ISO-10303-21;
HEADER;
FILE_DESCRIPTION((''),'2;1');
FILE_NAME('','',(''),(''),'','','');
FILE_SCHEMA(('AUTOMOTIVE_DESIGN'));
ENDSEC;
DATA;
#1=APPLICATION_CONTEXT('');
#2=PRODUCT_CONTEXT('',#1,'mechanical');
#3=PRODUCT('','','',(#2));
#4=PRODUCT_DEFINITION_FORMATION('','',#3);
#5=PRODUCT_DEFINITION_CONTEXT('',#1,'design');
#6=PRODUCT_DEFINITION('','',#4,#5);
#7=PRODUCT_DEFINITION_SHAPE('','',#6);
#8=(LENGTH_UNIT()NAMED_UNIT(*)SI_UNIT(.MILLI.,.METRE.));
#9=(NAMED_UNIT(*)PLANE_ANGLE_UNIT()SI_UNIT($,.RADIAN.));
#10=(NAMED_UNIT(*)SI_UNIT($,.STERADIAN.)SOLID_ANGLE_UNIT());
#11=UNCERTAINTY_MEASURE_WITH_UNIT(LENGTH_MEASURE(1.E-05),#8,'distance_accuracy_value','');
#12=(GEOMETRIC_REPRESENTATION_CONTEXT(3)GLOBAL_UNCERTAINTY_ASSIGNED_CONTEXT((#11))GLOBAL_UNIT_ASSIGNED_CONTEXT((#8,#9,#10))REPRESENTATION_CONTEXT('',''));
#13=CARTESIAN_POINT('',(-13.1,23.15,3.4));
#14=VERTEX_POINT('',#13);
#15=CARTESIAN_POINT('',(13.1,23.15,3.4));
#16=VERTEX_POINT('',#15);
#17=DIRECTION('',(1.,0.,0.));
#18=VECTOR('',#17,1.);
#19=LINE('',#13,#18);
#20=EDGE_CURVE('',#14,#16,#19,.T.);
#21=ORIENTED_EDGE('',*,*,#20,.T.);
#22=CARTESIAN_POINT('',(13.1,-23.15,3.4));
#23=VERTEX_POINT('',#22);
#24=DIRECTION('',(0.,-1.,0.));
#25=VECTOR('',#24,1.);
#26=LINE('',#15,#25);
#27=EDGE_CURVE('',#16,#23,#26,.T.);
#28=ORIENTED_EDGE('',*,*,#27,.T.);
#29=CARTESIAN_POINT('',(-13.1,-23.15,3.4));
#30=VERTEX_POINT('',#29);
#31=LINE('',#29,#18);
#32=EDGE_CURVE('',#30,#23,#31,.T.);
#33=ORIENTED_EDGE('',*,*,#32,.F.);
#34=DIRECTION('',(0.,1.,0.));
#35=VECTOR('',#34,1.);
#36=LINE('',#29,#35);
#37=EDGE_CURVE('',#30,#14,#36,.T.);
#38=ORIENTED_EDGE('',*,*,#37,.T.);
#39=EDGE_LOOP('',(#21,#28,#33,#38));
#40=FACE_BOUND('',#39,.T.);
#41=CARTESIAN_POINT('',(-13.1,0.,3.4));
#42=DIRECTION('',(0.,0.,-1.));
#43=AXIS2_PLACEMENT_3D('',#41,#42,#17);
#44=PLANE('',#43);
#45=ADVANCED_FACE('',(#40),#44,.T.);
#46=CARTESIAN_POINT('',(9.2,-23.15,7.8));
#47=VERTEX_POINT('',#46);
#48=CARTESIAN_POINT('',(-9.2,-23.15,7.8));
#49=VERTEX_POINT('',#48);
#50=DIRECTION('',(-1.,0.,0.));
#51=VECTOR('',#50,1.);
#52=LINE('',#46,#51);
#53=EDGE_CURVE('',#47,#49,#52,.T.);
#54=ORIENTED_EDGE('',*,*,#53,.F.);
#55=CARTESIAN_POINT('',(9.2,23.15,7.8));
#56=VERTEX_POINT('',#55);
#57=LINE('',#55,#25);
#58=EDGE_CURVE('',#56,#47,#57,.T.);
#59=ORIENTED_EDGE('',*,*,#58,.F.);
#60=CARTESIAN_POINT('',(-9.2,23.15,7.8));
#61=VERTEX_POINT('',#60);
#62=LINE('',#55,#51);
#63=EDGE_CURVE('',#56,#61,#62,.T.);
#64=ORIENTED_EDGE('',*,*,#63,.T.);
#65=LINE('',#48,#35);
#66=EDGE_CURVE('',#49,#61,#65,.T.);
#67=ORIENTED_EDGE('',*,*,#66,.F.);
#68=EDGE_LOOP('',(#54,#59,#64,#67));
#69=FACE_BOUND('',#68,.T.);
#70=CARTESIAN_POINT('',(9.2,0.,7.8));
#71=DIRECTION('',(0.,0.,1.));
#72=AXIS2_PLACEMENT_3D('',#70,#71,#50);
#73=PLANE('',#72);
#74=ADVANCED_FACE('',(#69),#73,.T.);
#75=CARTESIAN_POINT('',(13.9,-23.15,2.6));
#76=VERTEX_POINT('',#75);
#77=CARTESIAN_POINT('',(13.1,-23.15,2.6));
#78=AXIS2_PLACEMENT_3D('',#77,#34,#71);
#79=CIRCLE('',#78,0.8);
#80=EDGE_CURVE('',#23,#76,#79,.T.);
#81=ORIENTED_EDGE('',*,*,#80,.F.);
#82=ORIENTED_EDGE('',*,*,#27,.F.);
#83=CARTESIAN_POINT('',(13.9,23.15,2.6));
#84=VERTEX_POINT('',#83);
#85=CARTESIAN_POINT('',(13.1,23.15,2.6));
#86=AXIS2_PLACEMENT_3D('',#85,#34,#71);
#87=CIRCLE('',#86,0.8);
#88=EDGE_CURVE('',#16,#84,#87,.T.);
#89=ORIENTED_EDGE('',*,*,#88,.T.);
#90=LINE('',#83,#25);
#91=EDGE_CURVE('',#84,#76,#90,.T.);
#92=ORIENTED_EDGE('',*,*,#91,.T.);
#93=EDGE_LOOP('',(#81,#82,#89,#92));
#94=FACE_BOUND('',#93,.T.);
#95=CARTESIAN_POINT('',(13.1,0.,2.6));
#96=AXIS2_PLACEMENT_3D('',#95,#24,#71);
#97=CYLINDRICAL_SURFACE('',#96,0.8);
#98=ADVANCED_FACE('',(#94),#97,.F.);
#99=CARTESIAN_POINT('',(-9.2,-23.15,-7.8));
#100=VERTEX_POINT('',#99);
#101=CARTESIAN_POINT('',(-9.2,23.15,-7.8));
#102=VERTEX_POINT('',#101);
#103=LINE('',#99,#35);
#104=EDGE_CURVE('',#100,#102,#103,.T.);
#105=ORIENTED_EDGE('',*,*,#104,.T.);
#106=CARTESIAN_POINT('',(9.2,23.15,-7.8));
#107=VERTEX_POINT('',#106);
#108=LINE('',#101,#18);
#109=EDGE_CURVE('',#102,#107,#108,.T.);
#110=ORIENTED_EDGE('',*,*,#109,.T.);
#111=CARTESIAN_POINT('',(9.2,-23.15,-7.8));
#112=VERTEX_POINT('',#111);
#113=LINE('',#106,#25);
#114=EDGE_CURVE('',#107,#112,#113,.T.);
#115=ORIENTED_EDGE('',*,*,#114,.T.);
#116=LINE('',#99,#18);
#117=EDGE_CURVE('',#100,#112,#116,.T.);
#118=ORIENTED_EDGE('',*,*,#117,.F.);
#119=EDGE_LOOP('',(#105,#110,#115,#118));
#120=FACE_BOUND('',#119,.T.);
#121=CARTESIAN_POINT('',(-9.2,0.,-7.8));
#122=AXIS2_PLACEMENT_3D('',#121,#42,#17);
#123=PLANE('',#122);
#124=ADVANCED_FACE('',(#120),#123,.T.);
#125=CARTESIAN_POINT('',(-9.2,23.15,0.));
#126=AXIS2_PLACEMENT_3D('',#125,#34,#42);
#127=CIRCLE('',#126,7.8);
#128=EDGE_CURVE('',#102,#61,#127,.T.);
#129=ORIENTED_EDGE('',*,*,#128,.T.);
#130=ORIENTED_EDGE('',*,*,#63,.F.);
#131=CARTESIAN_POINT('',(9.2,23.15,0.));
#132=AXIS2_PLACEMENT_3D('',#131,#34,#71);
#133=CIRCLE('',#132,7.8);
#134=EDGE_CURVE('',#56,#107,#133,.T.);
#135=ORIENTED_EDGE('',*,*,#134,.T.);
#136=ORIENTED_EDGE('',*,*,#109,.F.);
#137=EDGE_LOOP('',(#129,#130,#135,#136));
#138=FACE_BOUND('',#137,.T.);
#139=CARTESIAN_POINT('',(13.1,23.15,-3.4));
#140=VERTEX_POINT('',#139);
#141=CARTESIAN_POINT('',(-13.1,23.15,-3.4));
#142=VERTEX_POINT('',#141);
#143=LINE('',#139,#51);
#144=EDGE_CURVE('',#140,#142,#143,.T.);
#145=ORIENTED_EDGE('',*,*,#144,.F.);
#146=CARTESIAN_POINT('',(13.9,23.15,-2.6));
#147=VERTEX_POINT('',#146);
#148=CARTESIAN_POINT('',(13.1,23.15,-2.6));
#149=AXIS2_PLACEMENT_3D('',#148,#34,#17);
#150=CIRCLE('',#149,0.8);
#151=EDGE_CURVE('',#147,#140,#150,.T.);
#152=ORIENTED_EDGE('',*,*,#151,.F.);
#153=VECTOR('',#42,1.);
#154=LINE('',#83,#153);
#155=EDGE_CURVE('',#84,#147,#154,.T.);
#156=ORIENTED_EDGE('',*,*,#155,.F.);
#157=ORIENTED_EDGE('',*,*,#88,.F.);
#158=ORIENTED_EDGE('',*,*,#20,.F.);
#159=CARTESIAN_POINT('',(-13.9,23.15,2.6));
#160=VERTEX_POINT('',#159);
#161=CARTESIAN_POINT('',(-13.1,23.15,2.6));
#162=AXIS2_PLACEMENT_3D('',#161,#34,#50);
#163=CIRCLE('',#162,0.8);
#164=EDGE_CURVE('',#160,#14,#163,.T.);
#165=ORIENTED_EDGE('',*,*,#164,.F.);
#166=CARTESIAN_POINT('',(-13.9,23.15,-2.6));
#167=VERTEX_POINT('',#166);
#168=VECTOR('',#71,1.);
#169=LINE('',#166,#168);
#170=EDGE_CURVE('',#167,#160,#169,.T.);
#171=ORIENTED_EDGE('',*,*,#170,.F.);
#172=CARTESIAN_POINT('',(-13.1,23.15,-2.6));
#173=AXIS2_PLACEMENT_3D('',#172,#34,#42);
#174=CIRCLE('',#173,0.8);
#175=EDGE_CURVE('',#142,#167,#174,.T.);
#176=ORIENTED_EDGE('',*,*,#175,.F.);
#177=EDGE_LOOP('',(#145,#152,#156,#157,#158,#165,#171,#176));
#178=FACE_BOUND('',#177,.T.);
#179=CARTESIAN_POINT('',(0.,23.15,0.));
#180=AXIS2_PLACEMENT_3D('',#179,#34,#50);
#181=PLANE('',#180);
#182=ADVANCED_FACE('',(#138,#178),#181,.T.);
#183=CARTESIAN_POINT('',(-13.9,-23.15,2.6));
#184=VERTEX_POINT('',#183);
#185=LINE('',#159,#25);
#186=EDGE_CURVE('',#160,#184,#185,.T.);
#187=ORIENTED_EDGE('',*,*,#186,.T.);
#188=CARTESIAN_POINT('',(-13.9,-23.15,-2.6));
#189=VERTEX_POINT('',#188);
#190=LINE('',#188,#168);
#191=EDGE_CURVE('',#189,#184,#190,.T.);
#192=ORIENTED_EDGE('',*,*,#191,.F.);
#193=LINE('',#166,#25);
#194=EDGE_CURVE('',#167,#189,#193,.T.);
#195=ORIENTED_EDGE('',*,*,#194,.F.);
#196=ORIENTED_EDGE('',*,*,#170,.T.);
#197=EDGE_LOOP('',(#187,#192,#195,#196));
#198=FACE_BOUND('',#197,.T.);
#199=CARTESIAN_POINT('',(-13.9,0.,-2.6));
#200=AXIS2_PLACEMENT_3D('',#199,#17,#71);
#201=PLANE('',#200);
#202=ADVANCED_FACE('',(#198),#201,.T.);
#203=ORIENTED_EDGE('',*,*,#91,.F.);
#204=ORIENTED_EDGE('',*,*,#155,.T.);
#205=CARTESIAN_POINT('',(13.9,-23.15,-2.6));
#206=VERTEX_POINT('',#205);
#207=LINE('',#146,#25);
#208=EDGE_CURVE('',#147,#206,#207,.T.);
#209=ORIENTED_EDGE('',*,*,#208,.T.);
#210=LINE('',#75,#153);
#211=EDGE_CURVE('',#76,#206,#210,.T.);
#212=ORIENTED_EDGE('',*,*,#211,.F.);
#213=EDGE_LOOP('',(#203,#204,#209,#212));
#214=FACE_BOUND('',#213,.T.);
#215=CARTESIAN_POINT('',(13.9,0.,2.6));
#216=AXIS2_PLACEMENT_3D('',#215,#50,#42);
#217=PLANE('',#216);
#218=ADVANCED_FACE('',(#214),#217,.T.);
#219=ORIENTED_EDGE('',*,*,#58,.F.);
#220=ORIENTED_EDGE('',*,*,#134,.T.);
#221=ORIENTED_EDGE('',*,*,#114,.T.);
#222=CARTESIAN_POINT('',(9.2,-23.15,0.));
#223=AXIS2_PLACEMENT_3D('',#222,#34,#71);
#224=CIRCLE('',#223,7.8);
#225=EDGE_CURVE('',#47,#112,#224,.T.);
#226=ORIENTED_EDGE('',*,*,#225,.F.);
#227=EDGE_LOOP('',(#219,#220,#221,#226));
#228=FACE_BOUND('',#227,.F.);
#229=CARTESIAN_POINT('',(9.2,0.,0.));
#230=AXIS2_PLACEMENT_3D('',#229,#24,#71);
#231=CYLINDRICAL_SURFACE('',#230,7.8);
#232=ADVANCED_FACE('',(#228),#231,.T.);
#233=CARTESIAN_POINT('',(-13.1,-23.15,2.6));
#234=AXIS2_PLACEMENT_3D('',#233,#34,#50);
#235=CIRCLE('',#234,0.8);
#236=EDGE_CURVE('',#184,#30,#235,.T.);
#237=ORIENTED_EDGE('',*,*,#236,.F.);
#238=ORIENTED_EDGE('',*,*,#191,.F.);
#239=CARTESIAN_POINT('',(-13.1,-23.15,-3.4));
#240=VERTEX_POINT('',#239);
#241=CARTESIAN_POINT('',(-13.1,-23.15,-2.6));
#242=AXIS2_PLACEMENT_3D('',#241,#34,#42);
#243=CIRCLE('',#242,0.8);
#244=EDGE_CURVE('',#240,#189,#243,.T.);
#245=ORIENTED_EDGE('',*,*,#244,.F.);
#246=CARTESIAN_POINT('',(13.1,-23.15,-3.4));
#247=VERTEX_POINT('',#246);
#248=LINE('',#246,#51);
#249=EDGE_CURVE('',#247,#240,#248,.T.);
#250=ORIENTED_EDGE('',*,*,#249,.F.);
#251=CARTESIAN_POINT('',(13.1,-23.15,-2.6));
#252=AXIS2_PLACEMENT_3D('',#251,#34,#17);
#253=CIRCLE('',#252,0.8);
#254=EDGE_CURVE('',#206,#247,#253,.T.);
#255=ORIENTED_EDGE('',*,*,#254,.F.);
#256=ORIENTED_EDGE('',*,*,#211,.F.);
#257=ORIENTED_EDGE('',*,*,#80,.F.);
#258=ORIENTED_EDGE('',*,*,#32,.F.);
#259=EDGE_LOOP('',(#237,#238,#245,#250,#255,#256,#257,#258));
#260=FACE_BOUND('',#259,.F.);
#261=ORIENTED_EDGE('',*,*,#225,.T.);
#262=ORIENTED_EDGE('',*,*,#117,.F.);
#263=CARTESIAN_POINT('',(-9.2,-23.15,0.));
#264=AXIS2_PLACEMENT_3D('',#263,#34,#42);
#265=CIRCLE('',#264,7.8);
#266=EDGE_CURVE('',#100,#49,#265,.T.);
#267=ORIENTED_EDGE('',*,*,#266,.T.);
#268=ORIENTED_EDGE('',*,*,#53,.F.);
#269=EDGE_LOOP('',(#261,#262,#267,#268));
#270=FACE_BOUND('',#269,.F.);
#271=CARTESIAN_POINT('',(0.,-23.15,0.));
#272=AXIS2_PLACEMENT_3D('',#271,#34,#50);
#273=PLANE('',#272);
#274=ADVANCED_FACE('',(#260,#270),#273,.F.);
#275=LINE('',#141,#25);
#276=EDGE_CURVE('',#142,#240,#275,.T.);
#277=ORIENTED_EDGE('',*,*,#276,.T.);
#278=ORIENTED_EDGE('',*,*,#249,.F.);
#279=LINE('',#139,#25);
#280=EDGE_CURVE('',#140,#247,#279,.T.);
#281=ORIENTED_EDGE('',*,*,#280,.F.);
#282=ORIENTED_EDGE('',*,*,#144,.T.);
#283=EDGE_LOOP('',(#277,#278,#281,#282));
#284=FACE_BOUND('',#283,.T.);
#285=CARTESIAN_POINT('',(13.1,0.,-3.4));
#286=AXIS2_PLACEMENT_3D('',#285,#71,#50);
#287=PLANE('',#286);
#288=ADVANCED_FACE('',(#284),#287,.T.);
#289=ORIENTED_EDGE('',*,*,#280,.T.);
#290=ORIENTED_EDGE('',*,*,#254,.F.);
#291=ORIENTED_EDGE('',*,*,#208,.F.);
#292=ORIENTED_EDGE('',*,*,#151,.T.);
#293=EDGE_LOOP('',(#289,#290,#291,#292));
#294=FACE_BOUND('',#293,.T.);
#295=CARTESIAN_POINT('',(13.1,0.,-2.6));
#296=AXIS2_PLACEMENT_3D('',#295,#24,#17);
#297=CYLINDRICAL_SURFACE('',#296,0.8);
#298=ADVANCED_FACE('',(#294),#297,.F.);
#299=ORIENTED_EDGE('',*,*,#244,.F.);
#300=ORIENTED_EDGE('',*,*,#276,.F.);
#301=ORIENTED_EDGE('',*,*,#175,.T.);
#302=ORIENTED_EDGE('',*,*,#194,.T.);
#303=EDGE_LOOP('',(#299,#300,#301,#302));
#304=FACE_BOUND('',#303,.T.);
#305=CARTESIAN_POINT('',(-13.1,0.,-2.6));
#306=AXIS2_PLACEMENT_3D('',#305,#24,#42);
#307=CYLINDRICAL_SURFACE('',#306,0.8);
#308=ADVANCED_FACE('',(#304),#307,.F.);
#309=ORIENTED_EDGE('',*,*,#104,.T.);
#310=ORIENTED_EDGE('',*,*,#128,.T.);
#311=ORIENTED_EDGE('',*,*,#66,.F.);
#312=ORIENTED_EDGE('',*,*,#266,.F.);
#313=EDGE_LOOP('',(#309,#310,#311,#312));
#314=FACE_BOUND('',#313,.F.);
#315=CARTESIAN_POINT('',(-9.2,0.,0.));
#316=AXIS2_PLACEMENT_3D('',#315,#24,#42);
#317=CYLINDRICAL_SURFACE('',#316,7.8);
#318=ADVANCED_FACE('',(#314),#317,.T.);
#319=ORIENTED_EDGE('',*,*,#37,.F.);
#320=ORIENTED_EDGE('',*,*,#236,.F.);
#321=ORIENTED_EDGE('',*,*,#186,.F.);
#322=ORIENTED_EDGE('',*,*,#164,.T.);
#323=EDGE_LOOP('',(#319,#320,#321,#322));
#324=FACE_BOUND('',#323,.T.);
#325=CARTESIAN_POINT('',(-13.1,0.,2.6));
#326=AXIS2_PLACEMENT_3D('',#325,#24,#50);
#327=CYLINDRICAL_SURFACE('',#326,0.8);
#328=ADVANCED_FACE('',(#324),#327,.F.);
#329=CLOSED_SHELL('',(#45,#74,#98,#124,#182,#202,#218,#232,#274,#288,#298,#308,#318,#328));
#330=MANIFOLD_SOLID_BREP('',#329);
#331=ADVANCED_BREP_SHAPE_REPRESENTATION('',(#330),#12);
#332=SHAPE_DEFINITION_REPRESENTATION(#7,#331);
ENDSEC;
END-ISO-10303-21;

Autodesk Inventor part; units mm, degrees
ref_plane "YZ Plane" through (0, 0, 0) normal (1, 0, 0) x (0, 1, 0)
ref_plane "XZ Plane" through (0, 0, 0) normal (0, 1, 0) x (-1, 0, 0)
ref_plane "XY Plane" through (0, 0, 0) normal (0, 0, 1) x (1, 0, 0)
sketch "Skizze1" plane through (0, 0, 0) normal (0, 1, 0) x (-1, 0, 0)
  line L0 (13.1, 3.4) -> (-13.1, 3.4)
  line L1 (-13.9, 2.6) -> (-13.9, -2.6)
  line L2 (-13.1, -3.4) -> (13.1, -3.4)
  line L3 (13.9, -2.6) -> (13.9, 2.6)
  line L4 (13.9, 3.4) -> (-13.9, -3.4) construction
  line L5 (-13.9, 3.4) -> (13.9, -3.4) construction
  arc A0 (13.9, 2.6) -> (13.1, 3.4) centre (13.1, 2.6) ccw
  arc A1 (13.1, -3.4) -> (13.9, -2.6) centre (13.1, -2.6) ccw
  arc A2 (-13.9, -2.6) -> (-13.1, -3.4) centre (-13.1, -2.6) ccw
  arc A3 (-13.1, 3.4) -> (-13.9, 2.6) centre (-13.1, 2.6) ccw
  line L6 (9.2, 0) -> (-9.2, 0) construction
  line L7 (9.2, -7.8) -> (-9.2, -7.8)
  line L8 (-9.2, 7.8) -> (9.2, 7.8)
  arc A4 (9.2, -7.8) -> (9.2, 7.8) centre (9.2, 0) ccw
  arc A5 (-9.2, 7.8) -> (-9.2, -7.8) centre (-9.2, 0) ccw
  point P0 (0, 0)
  dimension "d0" = 27.8
  dimension "d1" = 6.8
  dimension "d2" = 0.8
  dimension "d6" = 4.4
  dimension "d7" = 34
extrude "Extrusion1" add sketch "Skizze1" along normal mid plane 46.3
properties part number "Kupferspule" material "Kupfer"
